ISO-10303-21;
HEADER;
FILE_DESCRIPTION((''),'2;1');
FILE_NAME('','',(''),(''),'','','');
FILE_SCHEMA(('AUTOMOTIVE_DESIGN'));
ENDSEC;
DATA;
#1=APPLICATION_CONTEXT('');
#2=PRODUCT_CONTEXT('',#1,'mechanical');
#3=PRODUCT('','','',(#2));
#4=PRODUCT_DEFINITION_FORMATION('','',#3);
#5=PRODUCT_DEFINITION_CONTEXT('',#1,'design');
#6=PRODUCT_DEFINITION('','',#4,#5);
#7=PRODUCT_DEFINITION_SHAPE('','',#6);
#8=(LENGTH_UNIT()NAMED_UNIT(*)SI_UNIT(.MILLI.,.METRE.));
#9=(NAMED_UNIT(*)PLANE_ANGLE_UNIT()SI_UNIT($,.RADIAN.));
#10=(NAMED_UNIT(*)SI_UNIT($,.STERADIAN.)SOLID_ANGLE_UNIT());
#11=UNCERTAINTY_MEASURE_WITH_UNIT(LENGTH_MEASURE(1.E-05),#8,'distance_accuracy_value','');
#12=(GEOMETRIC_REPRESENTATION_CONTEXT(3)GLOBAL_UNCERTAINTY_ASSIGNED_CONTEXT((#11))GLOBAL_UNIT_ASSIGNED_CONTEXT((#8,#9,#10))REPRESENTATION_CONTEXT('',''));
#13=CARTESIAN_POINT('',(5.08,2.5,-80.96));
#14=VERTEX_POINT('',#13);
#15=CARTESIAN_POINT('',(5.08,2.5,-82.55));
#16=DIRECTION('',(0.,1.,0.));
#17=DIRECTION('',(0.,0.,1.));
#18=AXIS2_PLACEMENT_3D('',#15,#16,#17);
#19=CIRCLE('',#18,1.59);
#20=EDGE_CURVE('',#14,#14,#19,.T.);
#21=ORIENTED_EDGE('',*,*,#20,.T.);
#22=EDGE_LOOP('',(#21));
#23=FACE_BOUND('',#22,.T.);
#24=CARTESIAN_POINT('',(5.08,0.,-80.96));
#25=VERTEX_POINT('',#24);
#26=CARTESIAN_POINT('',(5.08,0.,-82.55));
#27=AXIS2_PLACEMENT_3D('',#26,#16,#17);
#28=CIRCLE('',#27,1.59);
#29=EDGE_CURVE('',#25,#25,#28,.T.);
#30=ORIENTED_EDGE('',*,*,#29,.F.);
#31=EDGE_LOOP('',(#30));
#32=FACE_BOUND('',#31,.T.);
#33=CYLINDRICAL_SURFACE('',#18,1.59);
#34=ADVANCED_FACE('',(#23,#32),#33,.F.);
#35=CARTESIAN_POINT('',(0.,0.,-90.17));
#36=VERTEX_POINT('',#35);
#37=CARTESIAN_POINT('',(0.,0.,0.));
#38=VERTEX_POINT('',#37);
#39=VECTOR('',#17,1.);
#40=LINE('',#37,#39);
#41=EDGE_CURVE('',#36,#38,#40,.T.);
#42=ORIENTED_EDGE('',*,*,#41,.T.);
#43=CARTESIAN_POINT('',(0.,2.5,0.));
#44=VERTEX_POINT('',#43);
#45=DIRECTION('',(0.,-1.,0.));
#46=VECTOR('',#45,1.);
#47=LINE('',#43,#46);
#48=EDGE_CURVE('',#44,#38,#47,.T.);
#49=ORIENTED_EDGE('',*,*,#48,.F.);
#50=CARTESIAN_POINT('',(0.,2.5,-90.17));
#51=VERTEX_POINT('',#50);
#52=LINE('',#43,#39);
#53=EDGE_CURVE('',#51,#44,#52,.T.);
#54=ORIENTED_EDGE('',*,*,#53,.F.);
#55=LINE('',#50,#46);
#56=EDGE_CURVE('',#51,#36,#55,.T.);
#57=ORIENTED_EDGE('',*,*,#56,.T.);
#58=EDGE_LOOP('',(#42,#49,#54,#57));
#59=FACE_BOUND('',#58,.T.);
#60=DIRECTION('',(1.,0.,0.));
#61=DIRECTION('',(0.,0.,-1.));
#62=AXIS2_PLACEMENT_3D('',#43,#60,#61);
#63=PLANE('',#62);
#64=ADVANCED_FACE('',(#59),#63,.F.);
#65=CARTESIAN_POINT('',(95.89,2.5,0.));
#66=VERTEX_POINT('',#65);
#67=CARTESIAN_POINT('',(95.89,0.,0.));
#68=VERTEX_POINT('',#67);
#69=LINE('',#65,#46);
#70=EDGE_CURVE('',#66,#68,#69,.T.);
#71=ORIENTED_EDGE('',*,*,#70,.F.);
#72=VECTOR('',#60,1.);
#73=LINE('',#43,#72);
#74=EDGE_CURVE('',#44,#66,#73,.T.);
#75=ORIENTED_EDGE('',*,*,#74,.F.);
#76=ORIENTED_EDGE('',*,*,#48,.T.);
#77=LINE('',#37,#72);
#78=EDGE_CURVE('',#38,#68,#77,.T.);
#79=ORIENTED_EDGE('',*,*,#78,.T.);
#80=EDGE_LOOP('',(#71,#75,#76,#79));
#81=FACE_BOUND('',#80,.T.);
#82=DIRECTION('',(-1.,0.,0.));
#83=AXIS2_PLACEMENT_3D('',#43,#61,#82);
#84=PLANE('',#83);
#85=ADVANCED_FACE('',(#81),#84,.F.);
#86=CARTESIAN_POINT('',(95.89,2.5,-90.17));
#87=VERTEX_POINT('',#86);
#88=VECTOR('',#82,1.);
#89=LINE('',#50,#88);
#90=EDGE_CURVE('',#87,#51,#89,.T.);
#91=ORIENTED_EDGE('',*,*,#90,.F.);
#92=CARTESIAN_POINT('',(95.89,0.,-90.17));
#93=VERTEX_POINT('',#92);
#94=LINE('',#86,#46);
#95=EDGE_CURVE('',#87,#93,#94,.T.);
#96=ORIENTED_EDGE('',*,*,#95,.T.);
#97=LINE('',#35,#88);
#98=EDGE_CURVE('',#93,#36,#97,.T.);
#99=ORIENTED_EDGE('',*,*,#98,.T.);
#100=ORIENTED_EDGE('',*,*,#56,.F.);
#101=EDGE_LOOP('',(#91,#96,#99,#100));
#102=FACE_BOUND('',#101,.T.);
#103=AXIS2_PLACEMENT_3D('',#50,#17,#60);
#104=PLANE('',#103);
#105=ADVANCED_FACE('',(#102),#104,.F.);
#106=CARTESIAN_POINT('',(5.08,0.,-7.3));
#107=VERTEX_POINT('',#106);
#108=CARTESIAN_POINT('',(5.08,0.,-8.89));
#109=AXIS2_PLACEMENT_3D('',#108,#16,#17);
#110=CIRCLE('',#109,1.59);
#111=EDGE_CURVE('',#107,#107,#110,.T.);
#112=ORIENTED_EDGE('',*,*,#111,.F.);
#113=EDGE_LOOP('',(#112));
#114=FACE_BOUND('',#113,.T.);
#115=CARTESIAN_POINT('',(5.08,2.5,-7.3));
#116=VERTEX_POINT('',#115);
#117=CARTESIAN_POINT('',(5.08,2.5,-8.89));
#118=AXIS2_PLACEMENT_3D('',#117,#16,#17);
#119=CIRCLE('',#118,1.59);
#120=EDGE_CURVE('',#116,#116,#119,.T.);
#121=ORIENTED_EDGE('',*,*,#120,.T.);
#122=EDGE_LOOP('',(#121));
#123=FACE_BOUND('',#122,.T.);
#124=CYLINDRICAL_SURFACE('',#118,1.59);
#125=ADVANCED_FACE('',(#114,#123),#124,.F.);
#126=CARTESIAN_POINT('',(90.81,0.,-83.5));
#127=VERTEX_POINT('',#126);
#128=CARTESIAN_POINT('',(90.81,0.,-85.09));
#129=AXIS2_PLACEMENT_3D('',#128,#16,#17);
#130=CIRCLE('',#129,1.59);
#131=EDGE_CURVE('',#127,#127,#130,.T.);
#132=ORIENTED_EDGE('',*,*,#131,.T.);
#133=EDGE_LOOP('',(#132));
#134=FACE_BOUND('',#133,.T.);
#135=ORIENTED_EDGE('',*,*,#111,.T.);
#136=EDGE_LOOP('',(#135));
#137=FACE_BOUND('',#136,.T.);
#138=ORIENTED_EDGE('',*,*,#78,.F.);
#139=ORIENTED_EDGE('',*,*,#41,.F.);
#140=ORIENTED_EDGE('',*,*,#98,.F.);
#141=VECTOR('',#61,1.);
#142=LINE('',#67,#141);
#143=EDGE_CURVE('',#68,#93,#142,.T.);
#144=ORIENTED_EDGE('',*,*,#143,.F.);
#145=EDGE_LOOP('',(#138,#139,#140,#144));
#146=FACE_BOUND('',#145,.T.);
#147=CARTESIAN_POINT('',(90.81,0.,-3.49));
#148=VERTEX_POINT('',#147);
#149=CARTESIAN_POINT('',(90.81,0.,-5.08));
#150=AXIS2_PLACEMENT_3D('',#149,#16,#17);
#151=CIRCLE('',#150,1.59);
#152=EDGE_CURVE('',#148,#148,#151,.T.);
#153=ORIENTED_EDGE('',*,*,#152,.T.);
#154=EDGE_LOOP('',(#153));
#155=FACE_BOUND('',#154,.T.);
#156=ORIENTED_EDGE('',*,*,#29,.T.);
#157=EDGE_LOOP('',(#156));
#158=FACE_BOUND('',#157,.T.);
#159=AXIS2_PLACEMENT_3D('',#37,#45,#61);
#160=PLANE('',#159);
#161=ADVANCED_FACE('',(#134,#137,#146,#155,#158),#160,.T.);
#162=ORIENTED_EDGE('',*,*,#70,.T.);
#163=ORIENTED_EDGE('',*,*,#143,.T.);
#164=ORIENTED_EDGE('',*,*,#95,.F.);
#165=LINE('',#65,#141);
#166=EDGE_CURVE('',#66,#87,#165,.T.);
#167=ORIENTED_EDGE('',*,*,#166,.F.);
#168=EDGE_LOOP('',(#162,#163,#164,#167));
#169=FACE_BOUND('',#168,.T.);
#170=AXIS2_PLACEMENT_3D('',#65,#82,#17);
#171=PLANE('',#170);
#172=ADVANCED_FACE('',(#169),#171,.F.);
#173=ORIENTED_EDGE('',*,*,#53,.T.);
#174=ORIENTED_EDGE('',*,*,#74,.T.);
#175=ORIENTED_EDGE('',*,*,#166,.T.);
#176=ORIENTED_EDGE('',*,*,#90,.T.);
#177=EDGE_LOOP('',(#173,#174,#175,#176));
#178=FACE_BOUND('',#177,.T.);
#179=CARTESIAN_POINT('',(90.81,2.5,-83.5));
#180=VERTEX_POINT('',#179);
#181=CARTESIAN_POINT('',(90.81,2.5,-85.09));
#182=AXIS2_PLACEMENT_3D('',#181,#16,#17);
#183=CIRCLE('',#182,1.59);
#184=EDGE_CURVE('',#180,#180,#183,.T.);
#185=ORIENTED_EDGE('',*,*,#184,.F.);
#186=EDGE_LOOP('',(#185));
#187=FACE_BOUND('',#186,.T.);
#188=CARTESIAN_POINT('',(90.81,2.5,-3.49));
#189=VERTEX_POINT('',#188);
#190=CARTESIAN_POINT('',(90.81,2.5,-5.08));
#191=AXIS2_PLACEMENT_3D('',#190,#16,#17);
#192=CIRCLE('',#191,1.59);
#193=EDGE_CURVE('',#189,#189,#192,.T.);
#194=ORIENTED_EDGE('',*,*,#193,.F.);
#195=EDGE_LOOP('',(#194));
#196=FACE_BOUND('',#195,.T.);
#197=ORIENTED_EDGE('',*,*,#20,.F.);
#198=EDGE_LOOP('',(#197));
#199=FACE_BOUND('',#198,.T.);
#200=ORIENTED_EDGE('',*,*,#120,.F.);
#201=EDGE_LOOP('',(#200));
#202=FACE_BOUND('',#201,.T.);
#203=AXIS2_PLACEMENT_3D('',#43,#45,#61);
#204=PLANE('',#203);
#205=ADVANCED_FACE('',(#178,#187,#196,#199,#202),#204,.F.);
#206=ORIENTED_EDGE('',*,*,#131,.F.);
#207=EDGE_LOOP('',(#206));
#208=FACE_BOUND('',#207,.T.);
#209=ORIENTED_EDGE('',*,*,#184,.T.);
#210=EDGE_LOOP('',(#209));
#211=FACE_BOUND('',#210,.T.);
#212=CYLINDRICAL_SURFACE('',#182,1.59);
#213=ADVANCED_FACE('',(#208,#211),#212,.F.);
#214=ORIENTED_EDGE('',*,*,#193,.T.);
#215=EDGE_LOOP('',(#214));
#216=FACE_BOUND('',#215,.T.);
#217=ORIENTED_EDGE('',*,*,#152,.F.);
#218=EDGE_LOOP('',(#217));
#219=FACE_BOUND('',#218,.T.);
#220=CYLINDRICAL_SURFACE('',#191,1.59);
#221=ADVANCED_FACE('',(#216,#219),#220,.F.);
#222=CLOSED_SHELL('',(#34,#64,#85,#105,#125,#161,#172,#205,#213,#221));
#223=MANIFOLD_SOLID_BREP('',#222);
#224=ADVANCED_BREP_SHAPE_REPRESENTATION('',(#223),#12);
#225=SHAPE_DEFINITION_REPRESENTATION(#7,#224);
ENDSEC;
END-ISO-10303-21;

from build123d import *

# Parameters (mm, degrees)
SKETCH1_W             = 95.89
SKETCH1_H             = 90.17
BOSS_EXTRUDE1_DEPTH   = 2.5
F_1_0MM_DOWEL_HOLE1_D = 3.18


with BuildPart() as part:
    # Sketch1 → Boss-Extrude1 (new body)
    with BuildSketch(Plane(origin=(0, 0, 0), x_dir=(1, 0, 0), z_dir=(0, 1, 0))):
        with Locations((47.945, 45.085)):
            Rectangle(SKETCH1_W, SKETCH1_H)
    extrude(amount=BOSS_EXTRUDE1_DEPTH)

    # Ø1.0mm Dowel Hole1 (through all)
    with Locations(Plane(origin=(5.08, 2.5, -82.55), x_dir=(0, 0, 1), z_dir=(0, 1, 0))):
        with Locations((0, 0), (73.66, 0), (-2.54, 85.73), (77.47, 85.73)):
            Hole(F_1_0MM_DOWEL_HOLE1_D / 2)


solid = part.part
